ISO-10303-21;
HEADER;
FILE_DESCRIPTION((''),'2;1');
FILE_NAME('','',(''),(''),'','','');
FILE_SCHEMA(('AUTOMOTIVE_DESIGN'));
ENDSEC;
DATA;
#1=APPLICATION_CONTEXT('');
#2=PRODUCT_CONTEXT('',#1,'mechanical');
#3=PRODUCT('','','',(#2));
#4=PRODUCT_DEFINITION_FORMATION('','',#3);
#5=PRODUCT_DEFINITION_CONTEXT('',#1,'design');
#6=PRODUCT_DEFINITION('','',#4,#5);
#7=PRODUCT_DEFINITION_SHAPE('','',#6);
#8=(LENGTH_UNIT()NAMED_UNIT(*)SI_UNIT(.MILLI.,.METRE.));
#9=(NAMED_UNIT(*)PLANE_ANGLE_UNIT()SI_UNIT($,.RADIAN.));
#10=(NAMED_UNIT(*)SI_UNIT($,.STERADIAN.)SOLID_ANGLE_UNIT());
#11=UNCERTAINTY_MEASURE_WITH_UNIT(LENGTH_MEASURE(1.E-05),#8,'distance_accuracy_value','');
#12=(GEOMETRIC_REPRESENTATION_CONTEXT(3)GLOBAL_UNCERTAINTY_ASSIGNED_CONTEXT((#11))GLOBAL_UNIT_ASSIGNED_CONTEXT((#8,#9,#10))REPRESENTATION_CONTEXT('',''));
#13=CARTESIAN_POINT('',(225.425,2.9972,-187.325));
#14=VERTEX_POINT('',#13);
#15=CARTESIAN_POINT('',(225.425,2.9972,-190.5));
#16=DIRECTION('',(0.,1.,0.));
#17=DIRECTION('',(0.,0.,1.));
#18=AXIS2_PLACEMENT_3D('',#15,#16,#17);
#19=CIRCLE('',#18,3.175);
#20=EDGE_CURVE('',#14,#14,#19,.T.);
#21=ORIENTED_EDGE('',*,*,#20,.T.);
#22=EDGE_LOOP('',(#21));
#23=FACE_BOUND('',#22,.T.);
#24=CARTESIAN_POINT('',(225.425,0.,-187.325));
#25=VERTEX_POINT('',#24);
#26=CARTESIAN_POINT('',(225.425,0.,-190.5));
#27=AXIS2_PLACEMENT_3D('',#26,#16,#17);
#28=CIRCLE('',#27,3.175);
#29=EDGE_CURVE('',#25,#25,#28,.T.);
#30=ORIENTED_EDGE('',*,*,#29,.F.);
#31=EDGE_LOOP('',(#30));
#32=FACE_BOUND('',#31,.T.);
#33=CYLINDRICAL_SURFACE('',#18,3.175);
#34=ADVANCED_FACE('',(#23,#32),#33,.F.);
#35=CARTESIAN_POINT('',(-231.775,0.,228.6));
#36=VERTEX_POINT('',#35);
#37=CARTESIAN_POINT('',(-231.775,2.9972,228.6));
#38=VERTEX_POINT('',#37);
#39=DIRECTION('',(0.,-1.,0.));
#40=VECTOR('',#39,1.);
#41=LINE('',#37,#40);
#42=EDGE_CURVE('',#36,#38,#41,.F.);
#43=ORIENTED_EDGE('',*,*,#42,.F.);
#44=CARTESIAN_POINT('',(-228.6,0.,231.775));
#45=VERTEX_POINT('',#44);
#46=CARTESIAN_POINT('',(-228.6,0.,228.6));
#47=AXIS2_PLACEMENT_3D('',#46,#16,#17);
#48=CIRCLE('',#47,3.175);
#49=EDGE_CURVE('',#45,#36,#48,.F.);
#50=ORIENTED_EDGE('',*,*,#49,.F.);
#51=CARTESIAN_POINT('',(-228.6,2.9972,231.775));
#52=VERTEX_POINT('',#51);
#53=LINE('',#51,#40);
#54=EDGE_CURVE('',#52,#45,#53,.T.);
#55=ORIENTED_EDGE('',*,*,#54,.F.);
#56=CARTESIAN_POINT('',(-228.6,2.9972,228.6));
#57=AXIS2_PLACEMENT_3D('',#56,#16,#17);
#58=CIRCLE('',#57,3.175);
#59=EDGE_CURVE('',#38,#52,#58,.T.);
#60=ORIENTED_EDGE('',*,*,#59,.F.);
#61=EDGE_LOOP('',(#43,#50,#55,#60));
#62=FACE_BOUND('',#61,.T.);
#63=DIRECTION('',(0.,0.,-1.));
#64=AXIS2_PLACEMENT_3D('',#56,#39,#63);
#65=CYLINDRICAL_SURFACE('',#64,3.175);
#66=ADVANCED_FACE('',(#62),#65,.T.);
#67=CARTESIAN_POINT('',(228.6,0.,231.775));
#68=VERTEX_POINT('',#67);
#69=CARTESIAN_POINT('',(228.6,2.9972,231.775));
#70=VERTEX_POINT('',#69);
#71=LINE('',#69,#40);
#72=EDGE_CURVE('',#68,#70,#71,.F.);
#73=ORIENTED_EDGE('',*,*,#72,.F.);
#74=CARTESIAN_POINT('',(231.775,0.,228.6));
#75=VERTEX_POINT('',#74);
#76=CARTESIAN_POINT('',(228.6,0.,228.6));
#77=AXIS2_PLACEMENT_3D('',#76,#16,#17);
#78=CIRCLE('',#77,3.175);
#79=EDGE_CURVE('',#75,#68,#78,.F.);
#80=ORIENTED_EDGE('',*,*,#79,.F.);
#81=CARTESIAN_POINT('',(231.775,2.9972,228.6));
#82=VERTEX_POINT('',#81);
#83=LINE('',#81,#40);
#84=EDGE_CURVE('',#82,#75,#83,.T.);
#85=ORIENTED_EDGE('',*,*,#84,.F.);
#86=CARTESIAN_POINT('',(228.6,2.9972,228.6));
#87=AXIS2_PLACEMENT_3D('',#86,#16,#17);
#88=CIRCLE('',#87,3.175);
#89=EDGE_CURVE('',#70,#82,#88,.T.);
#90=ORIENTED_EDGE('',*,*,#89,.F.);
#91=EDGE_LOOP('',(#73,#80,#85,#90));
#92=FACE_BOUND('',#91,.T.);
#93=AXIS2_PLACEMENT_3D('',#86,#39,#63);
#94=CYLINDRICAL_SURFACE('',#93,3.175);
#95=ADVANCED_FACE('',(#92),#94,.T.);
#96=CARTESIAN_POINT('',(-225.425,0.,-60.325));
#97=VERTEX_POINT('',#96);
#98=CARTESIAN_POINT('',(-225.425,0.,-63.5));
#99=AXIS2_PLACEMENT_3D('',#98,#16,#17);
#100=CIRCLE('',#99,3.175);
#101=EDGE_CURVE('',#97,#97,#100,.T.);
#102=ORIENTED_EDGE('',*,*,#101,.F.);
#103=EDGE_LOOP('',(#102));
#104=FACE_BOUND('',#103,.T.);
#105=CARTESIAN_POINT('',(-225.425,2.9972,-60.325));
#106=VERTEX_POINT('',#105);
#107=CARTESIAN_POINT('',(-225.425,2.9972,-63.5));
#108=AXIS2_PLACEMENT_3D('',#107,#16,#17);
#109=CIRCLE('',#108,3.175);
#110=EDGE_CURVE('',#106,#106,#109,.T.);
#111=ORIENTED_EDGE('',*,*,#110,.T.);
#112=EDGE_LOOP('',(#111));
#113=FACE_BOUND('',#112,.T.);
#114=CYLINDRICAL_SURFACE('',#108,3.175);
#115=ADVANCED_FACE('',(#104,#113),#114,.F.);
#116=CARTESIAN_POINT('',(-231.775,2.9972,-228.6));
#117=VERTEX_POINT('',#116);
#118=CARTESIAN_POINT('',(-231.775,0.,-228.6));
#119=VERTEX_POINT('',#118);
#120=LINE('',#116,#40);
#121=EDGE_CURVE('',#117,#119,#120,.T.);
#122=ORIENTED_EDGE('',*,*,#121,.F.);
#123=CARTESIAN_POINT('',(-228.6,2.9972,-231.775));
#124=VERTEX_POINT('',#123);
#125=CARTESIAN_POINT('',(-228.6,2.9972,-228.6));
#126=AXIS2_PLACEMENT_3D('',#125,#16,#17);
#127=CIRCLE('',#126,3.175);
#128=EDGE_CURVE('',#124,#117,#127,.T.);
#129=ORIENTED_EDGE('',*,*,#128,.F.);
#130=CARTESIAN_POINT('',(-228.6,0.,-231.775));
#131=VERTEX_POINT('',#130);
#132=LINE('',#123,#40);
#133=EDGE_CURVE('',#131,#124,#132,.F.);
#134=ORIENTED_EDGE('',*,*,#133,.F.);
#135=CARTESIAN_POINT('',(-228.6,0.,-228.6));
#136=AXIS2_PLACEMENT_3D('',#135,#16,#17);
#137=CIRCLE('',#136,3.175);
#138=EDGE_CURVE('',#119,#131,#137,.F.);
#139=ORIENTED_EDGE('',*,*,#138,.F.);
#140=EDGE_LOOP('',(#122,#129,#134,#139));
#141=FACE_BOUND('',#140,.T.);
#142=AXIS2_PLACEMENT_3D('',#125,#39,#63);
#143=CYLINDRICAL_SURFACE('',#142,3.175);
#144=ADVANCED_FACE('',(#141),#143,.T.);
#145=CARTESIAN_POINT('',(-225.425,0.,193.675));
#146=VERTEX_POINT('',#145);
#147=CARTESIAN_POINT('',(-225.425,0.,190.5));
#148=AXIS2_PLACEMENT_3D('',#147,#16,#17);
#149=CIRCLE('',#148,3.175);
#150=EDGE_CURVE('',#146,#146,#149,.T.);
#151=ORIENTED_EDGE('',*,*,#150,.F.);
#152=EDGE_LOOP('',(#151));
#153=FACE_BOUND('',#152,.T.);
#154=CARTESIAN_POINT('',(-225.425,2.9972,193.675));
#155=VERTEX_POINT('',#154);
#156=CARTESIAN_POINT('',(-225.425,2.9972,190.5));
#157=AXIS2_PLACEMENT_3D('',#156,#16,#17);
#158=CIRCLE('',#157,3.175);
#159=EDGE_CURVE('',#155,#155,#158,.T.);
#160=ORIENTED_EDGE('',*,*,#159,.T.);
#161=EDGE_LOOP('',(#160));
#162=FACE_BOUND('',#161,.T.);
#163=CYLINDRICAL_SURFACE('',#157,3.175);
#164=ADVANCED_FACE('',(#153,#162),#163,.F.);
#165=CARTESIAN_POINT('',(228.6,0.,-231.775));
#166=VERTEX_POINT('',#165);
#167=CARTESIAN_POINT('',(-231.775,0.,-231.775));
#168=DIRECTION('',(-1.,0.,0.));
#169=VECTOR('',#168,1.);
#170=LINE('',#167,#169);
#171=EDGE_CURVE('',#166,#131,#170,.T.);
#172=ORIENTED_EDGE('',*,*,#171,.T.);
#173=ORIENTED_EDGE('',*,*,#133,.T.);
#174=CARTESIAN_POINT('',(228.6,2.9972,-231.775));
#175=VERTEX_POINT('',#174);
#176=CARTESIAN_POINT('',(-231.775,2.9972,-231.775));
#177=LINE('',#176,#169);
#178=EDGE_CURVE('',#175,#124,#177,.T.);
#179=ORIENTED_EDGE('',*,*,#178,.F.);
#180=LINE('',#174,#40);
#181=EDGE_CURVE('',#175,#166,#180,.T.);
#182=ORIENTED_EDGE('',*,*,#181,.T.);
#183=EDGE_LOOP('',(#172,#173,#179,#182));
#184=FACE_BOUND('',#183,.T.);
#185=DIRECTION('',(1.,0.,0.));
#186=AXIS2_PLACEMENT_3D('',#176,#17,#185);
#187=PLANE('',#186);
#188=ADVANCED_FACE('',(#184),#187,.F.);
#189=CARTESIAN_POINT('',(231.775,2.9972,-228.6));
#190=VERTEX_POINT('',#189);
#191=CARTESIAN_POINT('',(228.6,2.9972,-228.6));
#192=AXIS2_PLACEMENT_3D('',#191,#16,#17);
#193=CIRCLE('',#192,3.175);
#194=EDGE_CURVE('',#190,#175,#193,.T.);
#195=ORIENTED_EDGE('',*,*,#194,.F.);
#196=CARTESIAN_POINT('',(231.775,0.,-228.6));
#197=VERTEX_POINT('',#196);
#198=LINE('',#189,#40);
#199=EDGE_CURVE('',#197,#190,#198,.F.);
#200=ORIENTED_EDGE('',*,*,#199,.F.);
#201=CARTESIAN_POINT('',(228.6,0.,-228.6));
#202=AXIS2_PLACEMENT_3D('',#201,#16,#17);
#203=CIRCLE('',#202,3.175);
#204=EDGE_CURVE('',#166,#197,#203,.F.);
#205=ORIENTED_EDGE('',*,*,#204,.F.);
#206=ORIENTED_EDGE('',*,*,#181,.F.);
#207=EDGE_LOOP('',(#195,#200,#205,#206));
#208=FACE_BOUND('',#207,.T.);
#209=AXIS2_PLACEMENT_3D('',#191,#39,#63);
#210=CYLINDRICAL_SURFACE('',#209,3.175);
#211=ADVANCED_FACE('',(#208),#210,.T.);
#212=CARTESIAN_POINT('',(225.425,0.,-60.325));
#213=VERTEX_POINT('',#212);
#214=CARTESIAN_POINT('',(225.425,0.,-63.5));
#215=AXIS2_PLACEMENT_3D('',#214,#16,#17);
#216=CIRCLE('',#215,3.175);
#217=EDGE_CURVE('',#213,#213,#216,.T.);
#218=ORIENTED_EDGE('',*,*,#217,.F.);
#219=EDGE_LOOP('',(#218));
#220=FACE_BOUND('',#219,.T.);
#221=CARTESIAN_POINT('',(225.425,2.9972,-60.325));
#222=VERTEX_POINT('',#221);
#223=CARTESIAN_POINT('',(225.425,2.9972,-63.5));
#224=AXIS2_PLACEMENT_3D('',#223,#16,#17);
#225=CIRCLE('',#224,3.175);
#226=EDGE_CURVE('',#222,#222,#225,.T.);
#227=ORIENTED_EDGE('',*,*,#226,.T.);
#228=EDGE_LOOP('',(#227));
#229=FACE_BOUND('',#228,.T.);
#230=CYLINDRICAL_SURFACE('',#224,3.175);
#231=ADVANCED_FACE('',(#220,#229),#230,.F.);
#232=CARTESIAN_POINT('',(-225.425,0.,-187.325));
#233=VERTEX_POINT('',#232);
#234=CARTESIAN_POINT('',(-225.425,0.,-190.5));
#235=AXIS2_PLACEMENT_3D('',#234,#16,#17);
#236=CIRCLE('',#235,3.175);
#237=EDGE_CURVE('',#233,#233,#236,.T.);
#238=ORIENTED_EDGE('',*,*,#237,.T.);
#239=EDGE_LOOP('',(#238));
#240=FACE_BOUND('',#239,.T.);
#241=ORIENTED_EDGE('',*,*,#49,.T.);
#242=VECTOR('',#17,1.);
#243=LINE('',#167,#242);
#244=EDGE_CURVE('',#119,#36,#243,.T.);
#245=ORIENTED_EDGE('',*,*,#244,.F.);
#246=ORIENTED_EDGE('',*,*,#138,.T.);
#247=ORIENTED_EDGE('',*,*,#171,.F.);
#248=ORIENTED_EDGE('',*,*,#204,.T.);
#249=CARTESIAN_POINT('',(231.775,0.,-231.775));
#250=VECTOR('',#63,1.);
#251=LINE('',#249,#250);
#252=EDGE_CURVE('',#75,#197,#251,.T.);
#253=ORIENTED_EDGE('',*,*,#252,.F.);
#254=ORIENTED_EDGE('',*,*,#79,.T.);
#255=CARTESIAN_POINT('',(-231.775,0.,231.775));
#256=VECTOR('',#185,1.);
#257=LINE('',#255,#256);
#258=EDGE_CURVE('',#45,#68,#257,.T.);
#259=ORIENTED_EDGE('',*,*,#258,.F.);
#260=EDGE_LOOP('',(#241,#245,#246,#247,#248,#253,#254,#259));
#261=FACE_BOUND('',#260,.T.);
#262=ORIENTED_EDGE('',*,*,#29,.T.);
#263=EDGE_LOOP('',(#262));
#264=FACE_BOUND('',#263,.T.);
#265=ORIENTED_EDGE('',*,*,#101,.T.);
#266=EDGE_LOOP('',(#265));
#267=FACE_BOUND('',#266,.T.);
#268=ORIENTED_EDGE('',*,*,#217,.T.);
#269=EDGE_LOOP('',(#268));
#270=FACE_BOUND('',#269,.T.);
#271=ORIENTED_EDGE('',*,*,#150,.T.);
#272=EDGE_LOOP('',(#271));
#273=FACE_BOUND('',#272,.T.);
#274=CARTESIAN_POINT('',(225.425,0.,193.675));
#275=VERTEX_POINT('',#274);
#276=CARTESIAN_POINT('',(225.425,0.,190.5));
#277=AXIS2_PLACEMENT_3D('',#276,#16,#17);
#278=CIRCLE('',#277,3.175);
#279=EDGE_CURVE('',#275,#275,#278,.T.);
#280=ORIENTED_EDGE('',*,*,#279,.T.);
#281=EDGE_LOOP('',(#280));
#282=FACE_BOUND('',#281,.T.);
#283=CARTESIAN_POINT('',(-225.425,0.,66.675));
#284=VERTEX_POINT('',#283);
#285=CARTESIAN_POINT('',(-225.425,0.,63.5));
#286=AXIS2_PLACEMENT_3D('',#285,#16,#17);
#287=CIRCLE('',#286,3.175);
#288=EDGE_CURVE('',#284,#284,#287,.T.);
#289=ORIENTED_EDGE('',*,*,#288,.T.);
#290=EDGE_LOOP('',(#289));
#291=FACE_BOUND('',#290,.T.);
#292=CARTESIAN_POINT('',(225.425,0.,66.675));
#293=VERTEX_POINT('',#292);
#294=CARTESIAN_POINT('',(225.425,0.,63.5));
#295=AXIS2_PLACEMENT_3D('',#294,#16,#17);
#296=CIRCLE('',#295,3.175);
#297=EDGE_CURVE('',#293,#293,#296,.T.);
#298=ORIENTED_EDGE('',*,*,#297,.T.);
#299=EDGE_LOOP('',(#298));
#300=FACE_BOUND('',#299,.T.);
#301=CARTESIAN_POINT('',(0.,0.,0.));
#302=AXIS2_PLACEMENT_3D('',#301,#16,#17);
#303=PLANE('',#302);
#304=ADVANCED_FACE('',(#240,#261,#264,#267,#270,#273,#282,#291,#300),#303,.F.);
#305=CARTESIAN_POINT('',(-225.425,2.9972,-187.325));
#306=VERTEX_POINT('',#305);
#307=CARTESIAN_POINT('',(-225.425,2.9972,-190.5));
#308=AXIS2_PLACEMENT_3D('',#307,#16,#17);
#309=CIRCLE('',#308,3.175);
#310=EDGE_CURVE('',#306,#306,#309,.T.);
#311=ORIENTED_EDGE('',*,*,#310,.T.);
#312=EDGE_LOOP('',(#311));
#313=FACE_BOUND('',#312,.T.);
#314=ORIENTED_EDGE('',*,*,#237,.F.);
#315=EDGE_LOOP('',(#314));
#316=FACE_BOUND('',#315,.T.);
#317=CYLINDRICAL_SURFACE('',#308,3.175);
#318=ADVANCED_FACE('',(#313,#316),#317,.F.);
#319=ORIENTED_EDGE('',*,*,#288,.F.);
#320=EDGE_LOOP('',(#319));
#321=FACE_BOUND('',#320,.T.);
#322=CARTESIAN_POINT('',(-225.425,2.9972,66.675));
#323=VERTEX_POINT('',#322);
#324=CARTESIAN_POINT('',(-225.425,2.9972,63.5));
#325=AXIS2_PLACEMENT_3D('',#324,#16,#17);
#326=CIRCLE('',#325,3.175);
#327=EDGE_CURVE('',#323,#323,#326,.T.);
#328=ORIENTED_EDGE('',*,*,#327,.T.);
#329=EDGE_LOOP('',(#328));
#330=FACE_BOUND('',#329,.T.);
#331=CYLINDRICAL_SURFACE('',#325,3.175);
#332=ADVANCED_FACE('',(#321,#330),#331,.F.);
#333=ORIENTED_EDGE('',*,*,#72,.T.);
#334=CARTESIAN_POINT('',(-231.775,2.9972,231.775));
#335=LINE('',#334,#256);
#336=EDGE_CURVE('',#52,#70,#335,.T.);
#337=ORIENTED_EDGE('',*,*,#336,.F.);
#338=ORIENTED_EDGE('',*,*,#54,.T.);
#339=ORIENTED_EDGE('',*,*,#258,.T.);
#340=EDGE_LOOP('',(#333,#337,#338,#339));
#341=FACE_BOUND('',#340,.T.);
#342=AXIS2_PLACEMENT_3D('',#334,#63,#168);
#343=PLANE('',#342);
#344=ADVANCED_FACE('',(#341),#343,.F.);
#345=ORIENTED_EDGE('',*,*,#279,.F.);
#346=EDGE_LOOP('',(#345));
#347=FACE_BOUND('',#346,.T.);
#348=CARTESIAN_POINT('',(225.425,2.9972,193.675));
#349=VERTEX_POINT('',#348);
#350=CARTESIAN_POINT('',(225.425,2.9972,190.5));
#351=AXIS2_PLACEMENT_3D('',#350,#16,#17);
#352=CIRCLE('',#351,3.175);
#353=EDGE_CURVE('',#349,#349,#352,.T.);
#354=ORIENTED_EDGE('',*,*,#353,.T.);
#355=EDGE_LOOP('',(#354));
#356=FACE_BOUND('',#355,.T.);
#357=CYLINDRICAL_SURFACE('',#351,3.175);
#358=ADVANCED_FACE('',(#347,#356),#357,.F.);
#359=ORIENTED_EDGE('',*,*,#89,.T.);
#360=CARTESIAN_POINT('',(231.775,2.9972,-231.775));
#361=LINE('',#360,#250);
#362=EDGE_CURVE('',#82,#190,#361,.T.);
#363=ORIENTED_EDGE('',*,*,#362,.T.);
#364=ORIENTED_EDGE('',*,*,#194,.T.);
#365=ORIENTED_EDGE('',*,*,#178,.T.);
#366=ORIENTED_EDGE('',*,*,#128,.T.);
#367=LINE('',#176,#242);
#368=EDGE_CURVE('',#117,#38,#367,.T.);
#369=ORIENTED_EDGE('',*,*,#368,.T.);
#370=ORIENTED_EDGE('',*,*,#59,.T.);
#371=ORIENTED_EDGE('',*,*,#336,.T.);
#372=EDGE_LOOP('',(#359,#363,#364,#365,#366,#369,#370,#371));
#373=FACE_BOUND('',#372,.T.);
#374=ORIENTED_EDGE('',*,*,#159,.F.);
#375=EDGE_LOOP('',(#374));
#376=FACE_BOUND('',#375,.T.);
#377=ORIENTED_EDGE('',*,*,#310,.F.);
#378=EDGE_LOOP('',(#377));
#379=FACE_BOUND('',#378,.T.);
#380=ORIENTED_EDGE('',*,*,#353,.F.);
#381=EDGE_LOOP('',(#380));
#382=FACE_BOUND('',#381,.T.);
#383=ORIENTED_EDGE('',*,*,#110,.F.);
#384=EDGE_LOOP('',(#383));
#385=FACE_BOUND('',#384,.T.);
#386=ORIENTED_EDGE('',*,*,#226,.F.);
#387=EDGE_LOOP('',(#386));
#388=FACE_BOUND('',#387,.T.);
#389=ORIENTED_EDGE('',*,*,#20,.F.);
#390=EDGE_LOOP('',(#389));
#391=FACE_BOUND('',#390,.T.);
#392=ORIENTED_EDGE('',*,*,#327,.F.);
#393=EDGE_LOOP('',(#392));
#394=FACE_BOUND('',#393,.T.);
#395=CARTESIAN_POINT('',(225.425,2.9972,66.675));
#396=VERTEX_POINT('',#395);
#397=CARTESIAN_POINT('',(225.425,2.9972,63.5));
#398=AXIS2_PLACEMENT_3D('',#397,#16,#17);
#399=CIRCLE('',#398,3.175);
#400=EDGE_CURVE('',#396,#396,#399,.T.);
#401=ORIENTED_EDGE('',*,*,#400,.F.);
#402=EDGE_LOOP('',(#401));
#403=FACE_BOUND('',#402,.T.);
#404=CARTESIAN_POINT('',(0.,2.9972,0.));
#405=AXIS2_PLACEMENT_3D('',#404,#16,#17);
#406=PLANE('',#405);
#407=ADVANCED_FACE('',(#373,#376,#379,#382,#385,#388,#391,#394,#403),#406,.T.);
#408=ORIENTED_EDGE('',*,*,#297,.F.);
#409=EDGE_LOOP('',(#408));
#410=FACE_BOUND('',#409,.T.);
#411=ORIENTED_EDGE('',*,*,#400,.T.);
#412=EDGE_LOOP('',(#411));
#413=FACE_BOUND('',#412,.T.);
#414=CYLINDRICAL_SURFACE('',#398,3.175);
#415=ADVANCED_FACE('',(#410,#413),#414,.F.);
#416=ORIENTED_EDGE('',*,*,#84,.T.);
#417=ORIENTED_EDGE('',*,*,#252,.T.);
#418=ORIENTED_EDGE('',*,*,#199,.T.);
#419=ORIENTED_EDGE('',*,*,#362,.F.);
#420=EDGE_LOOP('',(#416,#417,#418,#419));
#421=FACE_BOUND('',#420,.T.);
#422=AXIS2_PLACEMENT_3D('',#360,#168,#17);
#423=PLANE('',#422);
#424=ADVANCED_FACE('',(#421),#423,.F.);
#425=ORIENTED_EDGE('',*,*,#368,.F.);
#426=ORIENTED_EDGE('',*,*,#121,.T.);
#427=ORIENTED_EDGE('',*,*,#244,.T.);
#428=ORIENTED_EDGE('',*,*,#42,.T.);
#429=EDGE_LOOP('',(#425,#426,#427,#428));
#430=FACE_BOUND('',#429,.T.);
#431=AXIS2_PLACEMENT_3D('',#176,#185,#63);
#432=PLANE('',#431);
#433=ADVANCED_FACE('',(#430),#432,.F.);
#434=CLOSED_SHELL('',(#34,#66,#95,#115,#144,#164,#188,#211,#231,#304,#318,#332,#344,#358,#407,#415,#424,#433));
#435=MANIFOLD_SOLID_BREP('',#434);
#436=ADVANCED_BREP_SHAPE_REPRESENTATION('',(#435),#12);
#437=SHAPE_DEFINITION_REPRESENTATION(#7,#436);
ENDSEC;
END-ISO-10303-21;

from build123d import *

# Parameters (mm, degrees)
SKETCH1_W                   = 463.55
SKETCH1_H                   = 463.55
BOSS_EXTRUDE1_DEPTH         = 2.9972
FILLET1_R                   = 3.175
F_1_4_0_25_DIAMETER_HOLE1_D = 6.35


with BuildPart() as part:
    # Sketch1 → Boss-Extrude1 (new body)
    with BuildSketch(Plane(origin=(0, 0, 0), x_dir=(1, 0, 0), z_dir=(0, 1, 0))):
        Rectangle(SKETCH1_W, SKETCH1_H)
    extrude(amount=BOSS_EXTRUDE1_DEPTH)

    # Fillet1
    fillet1_edges = [part.edges().sort_by_distance(p)[0] for p in [
        (231.775, 1.4986, 231.775),
        (-231.775, 1.4986, 231.775),
        (-231.775, 1.4986, -231.775),
        (231.775, 1.4986, -231.775),
    ]]
    fillet(fillet1_edges, radius=FILLET1_R)

    # 1/4 (0.25) Diameter Hole1 (through all)
    with Locations(Plane(origin=(0, 2.9972, 0), x_dir=(1, 0, 0), z_dir=(0, 1, 0))):
        with Locations((-225.425, 190.5), (225.425, 190.5), (225.425, 63.5), (225.425, -63.5), (225.425, -190.5), (-225.425, 63.5), (-225.425, -63.5), (-225.425, -190.5)):
            Hole(F_1_4_0_25_DIAMETER_HOLE1_D / 2)


solid = part.part
